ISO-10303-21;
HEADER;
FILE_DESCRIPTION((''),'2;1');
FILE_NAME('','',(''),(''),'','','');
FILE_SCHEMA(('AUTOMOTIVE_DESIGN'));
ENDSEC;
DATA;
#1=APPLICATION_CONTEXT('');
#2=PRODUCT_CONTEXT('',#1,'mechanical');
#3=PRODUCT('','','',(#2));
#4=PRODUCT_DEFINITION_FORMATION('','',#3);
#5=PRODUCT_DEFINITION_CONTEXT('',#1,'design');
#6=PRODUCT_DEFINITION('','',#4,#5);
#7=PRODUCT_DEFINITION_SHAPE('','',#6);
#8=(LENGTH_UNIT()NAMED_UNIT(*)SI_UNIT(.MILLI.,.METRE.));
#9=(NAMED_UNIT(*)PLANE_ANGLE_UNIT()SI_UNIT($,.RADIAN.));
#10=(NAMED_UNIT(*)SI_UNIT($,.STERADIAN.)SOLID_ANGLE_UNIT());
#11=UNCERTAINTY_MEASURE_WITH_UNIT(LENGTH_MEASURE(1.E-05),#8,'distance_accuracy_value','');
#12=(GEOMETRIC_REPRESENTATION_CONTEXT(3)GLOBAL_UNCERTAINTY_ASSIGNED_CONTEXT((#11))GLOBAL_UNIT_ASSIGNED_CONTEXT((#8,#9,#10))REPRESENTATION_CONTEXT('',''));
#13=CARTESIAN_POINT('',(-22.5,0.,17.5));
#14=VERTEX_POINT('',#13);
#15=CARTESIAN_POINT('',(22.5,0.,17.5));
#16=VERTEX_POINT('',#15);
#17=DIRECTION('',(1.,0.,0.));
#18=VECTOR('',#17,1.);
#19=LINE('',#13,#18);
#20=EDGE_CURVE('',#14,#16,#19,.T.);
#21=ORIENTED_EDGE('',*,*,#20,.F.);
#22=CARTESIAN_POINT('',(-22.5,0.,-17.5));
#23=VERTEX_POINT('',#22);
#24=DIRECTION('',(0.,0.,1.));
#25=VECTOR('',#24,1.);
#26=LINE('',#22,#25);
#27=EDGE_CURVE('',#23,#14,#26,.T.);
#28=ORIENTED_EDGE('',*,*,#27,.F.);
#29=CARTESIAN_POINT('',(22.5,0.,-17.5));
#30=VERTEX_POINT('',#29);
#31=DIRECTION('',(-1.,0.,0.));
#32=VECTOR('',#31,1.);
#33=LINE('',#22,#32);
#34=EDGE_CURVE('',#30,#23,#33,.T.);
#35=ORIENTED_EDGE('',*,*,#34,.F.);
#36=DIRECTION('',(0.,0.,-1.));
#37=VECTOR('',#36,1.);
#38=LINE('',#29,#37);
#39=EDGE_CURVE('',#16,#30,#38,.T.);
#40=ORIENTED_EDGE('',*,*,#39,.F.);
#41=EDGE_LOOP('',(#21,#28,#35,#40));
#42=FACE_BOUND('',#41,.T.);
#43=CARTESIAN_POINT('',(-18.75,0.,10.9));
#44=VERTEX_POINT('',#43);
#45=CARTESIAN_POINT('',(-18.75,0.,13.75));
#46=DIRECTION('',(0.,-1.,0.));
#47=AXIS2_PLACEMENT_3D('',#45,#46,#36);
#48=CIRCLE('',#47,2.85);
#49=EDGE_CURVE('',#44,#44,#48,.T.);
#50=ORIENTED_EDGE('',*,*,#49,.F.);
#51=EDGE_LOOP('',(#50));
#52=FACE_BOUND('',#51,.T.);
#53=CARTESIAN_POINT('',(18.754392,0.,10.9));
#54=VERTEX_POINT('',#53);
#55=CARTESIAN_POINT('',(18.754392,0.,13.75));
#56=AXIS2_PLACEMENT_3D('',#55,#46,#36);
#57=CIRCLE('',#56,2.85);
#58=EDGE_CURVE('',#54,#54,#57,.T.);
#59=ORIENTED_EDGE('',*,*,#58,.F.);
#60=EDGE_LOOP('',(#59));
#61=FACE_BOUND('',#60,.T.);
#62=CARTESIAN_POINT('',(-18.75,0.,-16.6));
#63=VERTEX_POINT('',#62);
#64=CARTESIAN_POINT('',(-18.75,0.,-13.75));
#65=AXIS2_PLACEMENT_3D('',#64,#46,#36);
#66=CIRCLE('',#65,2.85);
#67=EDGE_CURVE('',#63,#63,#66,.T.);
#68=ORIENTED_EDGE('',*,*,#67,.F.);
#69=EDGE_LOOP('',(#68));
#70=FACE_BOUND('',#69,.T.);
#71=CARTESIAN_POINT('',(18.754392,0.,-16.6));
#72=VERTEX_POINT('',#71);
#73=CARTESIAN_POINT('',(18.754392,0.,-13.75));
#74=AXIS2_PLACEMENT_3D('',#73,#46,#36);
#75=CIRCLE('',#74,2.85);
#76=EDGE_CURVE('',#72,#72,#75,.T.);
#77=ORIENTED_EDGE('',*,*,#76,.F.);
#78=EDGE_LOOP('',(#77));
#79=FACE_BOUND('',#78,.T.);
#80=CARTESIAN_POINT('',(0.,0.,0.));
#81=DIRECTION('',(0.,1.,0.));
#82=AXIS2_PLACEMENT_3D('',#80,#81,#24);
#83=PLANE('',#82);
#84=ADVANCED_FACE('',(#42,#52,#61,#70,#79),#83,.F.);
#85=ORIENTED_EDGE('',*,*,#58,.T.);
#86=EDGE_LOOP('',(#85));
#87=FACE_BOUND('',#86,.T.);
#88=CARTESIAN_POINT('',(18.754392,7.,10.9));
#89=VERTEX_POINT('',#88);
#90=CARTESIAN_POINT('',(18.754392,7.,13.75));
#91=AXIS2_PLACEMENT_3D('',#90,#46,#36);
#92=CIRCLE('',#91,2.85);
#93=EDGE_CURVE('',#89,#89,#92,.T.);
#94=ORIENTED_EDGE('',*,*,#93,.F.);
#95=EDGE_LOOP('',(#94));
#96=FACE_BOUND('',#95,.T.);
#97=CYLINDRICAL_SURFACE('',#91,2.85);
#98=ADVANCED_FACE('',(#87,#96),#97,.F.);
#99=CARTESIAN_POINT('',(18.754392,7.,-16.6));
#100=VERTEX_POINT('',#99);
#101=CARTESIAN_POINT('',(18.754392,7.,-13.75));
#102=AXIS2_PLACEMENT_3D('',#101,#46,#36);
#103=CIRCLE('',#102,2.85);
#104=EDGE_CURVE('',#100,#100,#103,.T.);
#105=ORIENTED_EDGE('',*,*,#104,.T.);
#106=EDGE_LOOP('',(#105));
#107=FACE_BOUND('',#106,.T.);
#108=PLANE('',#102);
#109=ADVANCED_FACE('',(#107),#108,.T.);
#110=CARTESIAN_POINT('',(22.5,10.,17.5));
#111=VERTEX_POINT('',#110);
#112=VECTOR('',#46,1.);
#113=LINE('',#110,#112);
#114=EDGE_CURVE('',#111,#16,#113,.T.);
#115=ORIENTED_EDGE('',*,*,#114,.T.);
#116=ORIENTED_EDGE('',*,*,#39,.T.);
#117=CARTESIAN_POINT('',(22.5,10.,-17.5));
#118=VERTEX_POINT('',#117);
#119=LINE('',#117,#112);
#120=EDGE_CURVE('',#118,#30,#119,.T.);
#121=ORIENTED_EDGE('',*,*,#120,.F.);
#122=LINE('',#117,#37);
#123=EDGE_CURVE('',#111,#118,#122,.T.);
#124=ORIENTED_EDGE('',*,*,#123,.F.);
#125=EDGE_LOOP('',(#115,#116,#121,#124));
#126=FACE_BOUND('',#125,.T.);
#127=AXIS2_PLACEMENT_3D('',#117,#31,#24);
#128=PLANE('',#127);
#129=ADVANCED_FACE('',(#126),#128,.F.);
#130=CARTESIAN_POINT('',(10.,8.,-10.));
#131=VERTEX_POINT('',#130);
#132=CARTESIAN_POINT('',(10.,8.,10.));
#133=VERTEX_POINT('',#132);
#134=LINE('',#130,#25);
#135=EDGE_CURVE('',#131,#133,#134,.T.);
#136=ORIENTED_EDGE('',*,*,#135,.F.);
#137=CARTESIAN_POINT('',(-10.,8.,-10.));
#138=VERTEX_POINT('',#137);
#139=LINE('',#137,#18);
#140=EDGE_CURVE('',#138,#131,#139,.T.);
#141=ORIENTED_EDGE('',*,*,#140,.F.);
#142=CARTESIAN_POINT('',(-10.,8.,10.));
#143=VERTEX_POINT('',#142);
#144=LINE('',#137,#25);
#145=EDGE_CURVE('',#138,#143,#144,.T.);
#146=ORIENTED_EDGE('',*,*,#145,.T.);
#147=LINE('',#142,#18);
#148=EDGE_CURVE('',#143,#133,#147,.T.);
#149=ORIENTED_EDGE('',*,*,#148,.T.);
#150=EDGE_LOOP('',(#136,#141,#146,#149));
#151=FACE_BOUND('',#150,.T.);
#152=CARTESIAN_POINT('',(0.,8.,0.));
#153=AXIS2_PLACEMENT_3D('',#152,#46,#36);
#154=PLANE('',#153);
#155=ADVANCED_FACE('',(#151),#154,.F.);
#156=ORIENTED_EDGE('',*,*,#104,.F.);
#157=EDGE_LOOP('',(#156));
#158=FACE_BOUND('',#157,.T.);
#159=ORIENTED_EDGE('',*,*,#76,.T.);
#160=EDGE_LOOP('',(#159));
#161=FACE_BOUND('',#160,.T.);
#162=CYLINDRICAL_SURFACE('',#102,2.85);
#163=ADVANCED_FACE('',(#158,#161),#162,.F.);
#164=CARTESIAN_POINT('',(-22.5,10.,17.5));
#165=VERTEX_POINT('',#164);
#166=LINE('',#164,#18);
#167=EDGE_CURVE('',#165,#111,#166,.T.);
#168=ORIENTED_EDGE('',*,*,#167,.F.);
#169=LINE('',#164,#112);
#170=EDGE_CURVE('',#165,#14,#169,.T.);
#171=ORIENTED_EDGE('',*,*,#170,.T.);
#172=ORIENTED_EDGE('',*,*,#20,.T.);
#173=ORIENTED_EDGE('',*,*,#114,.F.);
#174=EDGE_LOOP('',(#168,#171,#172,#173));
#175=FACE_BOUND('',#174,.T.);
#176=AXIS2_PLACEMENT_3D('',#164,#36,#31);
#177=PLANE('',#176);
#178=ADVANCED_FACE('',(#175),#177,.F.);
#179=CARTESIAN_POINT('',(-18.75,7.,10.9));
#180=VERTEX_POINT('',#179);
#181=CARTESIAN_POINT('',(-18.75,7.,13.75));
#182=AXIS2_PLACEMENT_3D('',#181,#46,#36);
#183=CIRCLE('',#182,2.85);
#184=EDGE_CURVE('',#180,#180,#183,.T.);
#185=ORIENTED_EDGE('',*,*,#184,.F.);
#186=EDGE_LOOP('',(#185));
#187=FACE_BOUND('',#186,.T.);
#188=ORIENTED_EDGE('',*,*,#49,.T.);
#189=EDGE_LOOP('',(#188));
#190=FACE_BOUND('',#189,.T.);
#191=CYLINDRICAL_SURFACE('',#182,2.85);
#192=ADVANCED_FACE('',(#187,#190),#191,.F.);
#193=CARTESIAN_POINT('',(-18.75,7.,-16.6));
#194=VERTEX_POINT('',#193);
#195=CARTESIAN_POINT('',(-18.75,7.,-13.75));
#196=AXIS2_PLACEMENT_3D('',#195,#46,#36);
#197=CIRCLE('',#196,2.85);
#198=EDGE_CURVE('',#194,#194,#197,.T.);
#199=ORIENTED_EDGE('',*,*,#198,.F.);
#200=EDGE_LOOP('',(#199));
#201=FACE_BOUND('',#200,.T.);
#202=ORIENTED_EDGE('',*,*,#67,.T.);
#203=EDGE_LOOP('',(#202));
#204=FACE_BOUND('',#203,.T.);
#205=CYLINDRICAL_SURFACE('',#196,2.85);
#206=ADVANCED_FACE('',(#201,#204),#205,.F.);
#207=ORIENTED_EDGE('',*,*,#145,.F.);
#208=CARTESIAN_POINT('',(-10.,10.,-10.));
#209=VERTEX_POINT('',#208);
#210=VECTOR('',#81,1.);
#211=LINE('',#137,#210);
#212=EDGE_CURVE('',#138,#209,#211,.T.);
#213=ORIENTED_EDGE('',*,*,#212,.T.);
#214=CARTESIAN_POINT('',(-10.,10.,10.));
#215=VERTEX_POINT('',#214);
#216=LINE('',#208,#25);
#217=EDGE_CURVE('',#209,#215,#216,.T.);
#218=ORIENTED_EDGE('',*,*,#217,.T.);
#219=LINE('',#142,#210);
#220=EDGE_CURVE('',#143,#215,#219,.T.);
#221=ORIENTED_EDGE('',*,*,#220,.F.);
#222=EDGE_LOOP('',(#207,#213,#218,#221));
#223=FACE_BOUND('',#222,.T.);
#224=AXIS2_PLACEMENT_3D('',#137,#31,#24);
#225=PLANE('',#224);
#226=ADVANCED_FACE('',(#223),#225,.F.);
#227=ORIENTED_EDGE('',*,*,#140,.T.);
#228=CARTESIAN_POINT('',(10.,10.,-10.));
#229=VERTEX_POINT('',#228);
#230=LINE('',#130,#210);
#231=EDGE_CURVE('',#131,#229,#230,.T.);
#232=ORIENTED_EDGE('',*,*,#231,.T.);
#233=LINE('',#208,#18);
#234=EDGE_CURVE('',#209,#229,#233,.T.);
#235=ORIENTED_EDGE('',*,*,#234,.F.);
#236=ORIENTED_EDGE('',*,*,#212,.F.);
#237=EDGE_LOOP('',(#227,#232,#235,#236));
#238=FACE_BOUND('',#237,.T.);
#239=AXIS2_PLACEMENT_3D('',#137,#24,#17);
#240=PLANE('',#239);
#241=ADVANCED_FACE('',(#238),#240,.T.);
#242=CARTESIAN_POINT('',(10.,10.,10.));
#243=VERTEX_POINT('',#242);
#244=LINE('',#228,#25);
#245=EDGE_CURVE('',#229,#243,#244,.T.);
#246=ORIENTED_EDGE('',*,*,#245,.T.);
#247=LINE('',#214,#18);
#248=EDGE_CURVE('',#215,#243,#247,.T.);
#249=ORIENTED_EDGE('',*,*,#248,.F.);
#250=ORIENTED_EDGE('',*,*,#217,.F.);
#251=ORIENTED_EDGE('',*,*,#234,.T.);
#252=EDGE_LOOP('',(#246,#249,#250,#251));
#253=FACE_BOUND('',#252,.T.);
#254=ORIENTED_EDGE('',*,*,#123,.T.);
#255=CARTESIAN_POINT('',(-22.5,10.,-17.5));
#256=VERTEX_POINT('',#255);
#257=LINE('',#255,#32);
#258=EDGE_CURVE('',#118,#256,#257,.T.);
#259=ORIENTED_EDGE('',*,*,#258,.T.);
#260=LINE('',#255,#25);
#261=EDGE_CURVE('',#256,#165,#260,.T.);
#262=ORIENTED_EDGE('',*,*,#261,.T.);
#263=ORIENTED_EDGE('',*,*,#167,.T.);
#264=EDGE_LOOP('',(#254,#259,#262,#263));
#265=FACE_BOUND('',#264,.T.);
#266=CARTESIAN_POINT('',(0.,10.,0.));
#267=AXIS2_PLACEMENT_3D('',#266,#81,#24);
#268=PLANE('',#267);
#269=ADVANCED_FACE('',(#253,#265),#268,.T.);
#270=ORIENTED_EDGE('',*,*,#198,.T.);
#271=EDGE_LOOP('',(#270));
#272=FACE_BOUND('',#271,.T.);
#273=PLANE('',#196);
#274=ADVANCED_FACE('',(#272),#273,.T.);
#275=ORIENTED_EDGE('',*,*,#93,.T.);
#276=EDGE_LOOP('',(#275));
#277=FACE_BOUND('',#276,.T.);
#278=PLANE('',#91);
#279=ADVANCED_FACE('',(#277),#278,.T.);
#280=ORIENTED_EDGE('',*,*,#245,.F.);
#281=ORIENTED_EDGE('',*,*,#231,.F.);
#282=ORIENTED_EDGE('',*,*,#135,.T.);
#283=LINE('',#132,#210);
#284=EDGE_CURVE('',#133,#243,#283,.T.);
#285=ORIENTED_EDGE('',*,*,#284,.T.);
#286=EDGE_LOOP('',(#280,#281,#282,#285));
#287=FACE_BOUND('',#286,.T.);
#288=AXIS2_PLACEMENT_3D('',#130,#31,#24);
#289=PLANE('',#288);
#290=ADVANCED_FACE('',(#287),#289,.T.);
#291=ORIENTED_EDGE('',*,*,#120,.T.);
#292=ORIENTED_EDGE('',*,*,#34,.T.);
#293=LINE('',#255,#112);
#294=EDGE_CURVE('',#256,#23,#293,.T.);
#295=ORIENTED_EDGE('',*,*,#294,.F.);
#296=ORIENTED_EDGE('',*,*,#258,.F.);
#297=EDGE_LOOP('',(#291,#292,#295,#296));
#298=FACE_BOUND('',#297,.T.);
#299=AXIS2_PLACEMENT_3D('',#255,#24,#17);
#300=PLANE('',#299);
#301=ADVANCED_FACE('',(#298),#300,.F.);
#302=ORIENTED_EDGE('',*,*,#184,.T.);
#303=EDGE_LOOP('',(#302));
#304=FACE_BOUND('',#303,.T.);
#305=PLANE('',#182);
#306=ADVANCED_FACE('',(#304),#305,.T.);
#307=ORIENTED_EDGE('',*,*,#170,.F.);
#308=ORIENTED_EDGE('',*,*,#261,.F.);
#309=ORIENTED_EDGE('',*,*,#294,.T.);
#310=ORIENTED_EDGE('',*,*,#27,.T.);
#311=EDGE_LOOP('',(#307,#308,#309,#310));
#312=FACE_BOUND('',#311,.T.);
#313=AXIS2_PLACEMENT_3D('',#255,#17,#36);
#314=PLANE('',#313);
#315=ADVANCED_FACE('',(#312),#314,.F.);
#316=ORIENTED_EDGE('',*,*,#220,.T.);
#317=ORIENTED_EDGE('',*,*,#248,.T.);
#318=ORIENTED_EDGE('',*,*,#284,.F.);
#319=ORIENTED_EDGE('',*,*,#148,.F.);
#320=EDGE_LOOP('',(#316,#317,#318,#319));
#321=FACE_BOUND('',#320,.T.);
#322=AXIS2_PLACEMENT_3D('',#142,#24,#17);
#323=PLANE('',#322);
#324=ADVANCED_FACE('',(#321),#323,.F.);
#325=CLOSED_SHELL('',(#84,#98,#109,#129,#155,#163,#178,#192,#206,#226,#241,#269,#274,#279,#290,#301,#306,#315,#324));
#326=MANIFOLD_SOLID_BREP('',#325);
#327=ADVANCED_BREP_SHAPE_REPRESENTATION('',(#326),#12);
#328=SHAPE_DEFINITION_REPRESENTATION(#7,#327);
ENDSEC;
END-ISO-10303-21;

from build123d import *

# Parameters (mm, degrees)
SKETCH2_W           = 45
SKETCH2_H           = 35
BOSS_EXTRUDE1_DEPTH = 10
SKETCH3_W           = 20
SKETCH3_H           = 20
CUT_EXTRUDE1_DEPTH  = 2
SKETCH10_R          = 2.85
CUT_EXTRUDE2_DEPTH  = 7


with BuildPart() as part:
    # Sketch2 → Boss-Extrude1 (new body)
    with BuildSketch(Plane(origin=(0, 0, 0), x_dir=(1, 0, 0), z_dir=(0, 1, 0))):
        Rectangle(SKETCH2_W, SKETCH2_H)
    extrude(amount=BOSS_EXTRUDE1_DEPTH)

    # Sketch3 → Cut-Extrude1 (cut)
    with BuildSketch(Plane(origin=(0, 10, 0), x_dir=(1, 0, 0), z_dir=(0, 1, 0))):
        Rectangle(SKETCH3_W, SKETCH3_H)
    extrude(amount=-CUT_EXTRUDE1_DEPTH, mode=Mode.SUBTRACT)

    # Sketch10 → Cut-Extrude2 (cut)
    with BuildSketch(Plane.XZ):
        with Locations(Location((-18.75, 13.75, 0), (0, 0, 270))):
            Circle(SKETCH10_R)
        with Locations(Location((18.754391979, 13.75, 0), (0, 0, 270))):
            Circle(SKETCH10_R)
        with Locations(Location((18.754391979, -13.75, 0), (0, 0, 270))):
            Circle(SKETCH10_R)
        with Locations(Location((-18.75, -13.75, 0), (0, 0, 270))):
            Circle(SKETCH10_R)
    extrude(amount=-CUT_EXTRUDE2_DEPTH, mode=Mode.SUBTRACT)


solid = part.part
